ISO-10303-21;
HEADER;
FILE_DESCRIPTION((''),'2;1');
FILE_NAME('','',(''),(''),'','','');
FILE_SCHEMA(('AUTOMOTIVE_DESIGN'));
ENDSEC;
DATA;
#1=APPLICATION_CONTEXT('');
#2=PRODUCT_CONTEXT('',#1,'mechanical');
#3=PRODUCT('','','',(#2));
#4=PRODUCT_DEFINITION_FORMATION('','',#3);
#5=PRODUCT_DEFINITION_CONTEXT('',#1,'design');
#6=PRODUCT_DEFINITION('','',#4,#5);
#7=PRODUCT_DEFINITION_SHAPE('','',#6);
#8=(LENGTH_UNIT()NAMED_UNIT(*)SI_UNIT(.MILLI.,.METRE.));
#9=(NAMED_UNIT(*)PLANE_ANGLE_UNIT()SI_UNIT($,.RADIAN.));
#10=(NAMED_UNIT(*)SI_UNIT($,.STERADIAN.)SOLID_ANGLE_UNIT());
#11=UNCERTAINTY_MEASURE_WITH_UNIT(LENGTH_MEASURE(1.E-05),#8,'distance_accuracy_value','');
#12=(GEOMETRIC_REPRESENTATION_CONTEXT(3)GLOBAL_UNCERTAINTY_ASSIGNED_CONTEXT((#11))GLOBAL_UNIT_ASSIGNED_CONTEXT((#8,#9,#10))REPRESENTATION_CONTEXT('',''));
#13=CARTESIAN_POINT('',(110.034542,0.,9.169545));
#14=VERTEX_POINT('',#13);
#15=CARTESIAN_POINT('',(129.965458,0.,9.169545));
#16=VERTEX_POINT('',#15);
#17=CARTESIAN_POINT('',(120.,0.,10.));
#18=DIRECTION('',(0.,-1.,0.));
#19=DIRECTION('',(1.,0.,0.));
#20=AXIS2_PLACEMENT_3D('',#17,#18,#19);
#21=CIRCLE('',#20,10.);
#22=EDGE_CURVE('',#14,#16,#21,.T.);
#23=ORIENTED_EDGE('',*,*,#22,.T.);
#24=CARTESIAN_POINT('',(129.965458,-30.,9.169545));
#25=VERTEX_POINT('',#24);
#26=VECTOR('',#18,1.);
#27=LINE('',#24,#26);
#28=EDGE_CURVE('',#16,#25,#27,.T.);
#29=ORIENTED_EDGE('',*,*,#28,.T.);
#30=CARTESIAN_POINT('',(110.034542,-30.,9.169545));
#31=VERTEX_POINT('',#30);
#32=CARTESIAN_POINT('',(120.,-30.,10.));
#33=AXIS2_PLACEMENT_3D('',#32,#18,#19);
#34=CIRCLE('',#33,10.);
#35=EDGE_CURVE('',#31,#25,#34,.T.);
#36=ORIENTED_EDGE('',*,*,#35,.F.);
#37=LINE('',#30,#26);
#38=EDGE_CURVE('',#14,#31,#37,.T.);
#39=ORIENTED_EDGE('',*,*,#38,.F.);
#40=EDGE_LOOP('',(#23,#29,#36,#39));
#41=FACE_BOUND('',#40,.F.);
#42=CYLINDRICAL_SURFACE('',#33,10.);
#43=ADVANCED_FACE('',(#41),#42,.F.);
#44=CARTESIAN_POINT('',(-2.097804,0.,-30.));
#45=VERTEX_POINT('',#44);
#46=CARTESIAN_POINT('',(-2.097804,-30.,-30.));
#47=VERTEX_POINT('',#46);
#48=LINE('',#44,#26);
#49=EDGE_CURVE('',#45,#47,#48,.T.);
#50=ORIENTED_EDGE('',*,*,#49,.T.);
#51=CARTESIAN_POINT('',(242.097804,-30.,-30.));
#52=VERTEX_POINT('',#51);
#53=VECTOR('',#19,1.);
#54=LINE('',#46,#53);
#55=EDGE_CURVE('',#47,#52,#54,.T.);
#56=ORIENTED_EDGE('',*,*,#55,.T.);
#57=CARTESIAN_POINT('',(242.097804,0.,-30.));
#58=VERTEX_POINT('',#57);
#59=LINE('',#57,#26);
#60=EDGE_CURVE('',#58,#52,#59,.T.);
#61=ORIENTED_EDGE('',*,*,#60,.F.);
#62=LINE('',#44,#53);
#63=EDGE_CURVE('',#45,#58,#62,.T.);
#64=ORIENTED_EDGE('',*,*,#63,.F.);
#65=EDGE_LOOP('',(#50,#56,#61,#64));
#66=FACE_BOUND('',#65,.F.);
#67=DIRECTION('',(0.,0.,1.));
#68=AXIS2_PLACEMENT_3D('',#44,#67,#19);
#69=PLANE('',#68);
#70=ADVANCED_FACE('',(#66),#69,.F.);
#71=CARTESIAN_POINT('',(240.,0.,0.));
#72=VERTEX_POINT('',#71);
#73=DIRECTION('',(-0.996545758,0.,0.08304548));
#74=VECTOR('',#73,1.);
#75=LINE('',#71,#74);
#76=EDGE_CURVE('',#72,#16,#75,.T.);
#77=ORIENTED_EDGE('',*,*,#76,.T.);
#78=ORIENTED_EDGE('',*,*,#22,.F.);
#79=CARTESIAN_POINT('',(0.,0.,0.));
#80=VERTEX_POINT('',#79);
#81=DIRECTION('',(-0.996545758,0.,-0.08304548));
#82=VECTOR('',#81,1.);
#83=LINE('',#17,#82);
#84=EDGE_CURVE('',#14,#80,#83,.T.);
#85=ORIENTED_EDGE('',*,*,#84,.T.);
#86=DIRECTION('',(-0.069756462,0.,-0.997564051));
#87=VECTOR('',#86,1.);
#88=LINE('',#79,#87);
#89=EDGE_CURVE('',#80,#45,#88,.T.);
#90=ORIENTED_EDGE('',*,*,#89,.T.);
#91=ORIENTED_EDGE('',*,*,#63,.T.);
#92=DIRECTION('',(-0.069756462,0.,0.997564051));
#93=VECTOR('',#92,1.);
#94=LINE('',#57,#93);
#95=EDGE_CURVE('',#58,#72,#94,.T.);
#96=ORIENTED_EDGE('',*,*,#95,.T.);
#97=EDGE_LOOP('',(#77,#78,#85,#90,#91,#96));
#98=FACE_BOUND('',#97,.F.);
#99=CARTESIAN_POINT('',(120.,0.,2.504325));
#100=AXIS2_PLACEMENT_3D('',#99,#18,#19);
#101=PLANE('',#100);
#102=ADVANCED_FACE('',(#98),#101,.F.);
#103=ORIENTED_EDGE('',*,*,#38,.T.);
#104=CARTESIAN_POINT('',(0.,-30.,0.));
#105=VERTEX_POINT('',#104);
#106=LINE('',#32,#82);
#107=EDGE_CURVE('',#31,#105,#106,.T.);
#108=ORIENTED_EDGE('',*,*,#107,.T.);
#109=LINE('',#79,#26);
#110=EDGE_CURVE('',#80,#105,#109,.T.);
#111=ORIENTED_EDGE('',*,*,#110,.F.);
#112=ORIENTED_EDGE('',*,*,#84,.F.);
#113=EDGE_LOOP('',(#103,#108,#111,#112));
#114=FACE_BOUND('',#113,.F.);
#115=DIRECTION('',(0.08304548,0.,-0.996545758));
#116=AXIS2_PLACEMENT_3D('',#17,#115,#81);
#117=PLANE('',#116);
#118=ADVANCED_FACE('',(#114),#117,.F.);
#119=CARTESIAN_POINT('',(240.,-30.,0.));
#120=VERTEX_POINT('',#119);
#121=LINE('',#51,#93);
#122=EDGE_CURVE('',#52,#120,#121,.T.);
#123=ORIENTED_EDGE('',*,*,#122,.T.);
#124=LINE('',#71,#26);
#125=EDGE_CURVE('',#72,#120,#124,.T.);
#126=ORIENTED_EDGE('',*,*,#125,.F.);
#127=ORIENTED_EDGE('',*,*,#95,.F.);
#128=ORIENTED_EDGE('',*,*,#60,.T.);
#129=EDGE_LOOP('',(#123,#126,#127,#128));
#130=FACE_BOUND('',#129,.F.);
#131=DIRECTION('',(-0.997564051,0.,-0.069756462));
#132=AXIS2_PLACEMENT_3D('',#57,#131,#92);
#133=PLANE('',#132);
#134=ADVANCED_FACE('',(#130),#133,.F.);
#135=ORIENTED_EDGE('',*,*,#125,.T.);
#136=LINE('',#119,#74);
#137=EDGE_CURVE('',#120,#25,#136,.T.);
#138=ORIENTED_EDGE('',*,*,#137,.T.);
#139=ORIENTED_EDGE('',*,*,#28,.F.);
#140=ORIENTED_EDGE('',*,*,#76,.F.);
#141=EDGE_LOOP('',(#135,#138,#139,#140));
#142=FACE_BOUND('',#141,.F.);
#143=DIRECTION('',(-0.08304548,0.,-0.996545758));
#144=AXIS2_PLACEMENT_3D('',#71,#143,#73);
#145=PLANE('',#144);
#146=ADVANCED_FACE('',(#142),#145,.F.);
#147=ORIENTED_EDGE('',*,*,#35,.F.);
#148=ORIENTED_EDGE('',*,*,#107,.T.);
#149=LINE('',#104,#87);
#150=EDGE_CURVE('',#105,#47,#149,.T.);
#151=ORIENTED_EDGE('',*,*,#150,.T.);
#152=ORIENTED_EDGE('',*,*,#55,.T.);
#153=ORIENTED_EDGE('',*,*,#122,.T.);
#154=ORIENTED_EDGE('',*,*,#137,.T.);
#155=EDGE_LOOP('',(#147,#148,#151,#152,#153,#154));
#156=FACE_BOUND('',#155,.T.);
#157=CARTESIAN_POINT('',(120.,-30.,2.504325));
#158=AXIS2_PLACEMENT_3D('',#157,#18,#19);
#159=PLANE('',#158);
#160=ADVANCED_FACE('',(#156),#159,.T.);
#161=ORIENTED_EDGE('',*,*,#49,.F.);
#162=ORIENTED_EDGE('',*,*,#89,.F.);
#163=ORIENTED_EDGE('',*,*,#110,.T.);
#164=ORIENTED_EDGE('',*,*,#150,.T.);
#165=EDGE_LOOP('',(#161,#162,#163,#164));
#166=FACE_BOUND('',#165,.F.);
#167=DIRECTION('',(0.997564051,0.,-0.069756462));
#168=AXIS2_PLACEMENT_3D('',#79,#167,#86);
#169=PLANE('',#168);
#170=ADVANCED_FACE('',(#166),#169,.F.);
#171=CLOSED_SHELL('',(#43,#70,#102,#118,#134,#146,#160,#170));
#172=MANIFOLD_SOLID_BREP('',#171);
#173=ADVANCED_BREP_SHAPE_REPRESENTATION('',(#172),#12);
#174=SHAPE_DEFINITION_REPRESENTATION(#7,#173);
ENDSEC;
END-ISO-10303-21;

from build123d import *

# Parameters (mm, degrees)
F1_DEPTH = 30
F2_R     = 10
F3_DEPTH = 30


with BuildPart() as f1:
    # F0 (on Front) → F1 (new body)
    with BuildSketch(Plane.XZ):
        Polygon((120, 10), (0, 0), (240, 0), align=None)
        Polygon((240, 0), (0, 0), (-2.097804, -30), (120, -30), (242.097804, -30), align=None)
    extrude(amount=F1_DEPTH)

    # F2 (on face) → F3 (cut)
    with BuildSketch(Plane.XZ.offset(30)):
        with Locations((120, 10)):
            Circle(F2_R)
    extrude(amount=-F3_DEPTH, mode=Mode.SUBTRACT)


solid = f1.part
